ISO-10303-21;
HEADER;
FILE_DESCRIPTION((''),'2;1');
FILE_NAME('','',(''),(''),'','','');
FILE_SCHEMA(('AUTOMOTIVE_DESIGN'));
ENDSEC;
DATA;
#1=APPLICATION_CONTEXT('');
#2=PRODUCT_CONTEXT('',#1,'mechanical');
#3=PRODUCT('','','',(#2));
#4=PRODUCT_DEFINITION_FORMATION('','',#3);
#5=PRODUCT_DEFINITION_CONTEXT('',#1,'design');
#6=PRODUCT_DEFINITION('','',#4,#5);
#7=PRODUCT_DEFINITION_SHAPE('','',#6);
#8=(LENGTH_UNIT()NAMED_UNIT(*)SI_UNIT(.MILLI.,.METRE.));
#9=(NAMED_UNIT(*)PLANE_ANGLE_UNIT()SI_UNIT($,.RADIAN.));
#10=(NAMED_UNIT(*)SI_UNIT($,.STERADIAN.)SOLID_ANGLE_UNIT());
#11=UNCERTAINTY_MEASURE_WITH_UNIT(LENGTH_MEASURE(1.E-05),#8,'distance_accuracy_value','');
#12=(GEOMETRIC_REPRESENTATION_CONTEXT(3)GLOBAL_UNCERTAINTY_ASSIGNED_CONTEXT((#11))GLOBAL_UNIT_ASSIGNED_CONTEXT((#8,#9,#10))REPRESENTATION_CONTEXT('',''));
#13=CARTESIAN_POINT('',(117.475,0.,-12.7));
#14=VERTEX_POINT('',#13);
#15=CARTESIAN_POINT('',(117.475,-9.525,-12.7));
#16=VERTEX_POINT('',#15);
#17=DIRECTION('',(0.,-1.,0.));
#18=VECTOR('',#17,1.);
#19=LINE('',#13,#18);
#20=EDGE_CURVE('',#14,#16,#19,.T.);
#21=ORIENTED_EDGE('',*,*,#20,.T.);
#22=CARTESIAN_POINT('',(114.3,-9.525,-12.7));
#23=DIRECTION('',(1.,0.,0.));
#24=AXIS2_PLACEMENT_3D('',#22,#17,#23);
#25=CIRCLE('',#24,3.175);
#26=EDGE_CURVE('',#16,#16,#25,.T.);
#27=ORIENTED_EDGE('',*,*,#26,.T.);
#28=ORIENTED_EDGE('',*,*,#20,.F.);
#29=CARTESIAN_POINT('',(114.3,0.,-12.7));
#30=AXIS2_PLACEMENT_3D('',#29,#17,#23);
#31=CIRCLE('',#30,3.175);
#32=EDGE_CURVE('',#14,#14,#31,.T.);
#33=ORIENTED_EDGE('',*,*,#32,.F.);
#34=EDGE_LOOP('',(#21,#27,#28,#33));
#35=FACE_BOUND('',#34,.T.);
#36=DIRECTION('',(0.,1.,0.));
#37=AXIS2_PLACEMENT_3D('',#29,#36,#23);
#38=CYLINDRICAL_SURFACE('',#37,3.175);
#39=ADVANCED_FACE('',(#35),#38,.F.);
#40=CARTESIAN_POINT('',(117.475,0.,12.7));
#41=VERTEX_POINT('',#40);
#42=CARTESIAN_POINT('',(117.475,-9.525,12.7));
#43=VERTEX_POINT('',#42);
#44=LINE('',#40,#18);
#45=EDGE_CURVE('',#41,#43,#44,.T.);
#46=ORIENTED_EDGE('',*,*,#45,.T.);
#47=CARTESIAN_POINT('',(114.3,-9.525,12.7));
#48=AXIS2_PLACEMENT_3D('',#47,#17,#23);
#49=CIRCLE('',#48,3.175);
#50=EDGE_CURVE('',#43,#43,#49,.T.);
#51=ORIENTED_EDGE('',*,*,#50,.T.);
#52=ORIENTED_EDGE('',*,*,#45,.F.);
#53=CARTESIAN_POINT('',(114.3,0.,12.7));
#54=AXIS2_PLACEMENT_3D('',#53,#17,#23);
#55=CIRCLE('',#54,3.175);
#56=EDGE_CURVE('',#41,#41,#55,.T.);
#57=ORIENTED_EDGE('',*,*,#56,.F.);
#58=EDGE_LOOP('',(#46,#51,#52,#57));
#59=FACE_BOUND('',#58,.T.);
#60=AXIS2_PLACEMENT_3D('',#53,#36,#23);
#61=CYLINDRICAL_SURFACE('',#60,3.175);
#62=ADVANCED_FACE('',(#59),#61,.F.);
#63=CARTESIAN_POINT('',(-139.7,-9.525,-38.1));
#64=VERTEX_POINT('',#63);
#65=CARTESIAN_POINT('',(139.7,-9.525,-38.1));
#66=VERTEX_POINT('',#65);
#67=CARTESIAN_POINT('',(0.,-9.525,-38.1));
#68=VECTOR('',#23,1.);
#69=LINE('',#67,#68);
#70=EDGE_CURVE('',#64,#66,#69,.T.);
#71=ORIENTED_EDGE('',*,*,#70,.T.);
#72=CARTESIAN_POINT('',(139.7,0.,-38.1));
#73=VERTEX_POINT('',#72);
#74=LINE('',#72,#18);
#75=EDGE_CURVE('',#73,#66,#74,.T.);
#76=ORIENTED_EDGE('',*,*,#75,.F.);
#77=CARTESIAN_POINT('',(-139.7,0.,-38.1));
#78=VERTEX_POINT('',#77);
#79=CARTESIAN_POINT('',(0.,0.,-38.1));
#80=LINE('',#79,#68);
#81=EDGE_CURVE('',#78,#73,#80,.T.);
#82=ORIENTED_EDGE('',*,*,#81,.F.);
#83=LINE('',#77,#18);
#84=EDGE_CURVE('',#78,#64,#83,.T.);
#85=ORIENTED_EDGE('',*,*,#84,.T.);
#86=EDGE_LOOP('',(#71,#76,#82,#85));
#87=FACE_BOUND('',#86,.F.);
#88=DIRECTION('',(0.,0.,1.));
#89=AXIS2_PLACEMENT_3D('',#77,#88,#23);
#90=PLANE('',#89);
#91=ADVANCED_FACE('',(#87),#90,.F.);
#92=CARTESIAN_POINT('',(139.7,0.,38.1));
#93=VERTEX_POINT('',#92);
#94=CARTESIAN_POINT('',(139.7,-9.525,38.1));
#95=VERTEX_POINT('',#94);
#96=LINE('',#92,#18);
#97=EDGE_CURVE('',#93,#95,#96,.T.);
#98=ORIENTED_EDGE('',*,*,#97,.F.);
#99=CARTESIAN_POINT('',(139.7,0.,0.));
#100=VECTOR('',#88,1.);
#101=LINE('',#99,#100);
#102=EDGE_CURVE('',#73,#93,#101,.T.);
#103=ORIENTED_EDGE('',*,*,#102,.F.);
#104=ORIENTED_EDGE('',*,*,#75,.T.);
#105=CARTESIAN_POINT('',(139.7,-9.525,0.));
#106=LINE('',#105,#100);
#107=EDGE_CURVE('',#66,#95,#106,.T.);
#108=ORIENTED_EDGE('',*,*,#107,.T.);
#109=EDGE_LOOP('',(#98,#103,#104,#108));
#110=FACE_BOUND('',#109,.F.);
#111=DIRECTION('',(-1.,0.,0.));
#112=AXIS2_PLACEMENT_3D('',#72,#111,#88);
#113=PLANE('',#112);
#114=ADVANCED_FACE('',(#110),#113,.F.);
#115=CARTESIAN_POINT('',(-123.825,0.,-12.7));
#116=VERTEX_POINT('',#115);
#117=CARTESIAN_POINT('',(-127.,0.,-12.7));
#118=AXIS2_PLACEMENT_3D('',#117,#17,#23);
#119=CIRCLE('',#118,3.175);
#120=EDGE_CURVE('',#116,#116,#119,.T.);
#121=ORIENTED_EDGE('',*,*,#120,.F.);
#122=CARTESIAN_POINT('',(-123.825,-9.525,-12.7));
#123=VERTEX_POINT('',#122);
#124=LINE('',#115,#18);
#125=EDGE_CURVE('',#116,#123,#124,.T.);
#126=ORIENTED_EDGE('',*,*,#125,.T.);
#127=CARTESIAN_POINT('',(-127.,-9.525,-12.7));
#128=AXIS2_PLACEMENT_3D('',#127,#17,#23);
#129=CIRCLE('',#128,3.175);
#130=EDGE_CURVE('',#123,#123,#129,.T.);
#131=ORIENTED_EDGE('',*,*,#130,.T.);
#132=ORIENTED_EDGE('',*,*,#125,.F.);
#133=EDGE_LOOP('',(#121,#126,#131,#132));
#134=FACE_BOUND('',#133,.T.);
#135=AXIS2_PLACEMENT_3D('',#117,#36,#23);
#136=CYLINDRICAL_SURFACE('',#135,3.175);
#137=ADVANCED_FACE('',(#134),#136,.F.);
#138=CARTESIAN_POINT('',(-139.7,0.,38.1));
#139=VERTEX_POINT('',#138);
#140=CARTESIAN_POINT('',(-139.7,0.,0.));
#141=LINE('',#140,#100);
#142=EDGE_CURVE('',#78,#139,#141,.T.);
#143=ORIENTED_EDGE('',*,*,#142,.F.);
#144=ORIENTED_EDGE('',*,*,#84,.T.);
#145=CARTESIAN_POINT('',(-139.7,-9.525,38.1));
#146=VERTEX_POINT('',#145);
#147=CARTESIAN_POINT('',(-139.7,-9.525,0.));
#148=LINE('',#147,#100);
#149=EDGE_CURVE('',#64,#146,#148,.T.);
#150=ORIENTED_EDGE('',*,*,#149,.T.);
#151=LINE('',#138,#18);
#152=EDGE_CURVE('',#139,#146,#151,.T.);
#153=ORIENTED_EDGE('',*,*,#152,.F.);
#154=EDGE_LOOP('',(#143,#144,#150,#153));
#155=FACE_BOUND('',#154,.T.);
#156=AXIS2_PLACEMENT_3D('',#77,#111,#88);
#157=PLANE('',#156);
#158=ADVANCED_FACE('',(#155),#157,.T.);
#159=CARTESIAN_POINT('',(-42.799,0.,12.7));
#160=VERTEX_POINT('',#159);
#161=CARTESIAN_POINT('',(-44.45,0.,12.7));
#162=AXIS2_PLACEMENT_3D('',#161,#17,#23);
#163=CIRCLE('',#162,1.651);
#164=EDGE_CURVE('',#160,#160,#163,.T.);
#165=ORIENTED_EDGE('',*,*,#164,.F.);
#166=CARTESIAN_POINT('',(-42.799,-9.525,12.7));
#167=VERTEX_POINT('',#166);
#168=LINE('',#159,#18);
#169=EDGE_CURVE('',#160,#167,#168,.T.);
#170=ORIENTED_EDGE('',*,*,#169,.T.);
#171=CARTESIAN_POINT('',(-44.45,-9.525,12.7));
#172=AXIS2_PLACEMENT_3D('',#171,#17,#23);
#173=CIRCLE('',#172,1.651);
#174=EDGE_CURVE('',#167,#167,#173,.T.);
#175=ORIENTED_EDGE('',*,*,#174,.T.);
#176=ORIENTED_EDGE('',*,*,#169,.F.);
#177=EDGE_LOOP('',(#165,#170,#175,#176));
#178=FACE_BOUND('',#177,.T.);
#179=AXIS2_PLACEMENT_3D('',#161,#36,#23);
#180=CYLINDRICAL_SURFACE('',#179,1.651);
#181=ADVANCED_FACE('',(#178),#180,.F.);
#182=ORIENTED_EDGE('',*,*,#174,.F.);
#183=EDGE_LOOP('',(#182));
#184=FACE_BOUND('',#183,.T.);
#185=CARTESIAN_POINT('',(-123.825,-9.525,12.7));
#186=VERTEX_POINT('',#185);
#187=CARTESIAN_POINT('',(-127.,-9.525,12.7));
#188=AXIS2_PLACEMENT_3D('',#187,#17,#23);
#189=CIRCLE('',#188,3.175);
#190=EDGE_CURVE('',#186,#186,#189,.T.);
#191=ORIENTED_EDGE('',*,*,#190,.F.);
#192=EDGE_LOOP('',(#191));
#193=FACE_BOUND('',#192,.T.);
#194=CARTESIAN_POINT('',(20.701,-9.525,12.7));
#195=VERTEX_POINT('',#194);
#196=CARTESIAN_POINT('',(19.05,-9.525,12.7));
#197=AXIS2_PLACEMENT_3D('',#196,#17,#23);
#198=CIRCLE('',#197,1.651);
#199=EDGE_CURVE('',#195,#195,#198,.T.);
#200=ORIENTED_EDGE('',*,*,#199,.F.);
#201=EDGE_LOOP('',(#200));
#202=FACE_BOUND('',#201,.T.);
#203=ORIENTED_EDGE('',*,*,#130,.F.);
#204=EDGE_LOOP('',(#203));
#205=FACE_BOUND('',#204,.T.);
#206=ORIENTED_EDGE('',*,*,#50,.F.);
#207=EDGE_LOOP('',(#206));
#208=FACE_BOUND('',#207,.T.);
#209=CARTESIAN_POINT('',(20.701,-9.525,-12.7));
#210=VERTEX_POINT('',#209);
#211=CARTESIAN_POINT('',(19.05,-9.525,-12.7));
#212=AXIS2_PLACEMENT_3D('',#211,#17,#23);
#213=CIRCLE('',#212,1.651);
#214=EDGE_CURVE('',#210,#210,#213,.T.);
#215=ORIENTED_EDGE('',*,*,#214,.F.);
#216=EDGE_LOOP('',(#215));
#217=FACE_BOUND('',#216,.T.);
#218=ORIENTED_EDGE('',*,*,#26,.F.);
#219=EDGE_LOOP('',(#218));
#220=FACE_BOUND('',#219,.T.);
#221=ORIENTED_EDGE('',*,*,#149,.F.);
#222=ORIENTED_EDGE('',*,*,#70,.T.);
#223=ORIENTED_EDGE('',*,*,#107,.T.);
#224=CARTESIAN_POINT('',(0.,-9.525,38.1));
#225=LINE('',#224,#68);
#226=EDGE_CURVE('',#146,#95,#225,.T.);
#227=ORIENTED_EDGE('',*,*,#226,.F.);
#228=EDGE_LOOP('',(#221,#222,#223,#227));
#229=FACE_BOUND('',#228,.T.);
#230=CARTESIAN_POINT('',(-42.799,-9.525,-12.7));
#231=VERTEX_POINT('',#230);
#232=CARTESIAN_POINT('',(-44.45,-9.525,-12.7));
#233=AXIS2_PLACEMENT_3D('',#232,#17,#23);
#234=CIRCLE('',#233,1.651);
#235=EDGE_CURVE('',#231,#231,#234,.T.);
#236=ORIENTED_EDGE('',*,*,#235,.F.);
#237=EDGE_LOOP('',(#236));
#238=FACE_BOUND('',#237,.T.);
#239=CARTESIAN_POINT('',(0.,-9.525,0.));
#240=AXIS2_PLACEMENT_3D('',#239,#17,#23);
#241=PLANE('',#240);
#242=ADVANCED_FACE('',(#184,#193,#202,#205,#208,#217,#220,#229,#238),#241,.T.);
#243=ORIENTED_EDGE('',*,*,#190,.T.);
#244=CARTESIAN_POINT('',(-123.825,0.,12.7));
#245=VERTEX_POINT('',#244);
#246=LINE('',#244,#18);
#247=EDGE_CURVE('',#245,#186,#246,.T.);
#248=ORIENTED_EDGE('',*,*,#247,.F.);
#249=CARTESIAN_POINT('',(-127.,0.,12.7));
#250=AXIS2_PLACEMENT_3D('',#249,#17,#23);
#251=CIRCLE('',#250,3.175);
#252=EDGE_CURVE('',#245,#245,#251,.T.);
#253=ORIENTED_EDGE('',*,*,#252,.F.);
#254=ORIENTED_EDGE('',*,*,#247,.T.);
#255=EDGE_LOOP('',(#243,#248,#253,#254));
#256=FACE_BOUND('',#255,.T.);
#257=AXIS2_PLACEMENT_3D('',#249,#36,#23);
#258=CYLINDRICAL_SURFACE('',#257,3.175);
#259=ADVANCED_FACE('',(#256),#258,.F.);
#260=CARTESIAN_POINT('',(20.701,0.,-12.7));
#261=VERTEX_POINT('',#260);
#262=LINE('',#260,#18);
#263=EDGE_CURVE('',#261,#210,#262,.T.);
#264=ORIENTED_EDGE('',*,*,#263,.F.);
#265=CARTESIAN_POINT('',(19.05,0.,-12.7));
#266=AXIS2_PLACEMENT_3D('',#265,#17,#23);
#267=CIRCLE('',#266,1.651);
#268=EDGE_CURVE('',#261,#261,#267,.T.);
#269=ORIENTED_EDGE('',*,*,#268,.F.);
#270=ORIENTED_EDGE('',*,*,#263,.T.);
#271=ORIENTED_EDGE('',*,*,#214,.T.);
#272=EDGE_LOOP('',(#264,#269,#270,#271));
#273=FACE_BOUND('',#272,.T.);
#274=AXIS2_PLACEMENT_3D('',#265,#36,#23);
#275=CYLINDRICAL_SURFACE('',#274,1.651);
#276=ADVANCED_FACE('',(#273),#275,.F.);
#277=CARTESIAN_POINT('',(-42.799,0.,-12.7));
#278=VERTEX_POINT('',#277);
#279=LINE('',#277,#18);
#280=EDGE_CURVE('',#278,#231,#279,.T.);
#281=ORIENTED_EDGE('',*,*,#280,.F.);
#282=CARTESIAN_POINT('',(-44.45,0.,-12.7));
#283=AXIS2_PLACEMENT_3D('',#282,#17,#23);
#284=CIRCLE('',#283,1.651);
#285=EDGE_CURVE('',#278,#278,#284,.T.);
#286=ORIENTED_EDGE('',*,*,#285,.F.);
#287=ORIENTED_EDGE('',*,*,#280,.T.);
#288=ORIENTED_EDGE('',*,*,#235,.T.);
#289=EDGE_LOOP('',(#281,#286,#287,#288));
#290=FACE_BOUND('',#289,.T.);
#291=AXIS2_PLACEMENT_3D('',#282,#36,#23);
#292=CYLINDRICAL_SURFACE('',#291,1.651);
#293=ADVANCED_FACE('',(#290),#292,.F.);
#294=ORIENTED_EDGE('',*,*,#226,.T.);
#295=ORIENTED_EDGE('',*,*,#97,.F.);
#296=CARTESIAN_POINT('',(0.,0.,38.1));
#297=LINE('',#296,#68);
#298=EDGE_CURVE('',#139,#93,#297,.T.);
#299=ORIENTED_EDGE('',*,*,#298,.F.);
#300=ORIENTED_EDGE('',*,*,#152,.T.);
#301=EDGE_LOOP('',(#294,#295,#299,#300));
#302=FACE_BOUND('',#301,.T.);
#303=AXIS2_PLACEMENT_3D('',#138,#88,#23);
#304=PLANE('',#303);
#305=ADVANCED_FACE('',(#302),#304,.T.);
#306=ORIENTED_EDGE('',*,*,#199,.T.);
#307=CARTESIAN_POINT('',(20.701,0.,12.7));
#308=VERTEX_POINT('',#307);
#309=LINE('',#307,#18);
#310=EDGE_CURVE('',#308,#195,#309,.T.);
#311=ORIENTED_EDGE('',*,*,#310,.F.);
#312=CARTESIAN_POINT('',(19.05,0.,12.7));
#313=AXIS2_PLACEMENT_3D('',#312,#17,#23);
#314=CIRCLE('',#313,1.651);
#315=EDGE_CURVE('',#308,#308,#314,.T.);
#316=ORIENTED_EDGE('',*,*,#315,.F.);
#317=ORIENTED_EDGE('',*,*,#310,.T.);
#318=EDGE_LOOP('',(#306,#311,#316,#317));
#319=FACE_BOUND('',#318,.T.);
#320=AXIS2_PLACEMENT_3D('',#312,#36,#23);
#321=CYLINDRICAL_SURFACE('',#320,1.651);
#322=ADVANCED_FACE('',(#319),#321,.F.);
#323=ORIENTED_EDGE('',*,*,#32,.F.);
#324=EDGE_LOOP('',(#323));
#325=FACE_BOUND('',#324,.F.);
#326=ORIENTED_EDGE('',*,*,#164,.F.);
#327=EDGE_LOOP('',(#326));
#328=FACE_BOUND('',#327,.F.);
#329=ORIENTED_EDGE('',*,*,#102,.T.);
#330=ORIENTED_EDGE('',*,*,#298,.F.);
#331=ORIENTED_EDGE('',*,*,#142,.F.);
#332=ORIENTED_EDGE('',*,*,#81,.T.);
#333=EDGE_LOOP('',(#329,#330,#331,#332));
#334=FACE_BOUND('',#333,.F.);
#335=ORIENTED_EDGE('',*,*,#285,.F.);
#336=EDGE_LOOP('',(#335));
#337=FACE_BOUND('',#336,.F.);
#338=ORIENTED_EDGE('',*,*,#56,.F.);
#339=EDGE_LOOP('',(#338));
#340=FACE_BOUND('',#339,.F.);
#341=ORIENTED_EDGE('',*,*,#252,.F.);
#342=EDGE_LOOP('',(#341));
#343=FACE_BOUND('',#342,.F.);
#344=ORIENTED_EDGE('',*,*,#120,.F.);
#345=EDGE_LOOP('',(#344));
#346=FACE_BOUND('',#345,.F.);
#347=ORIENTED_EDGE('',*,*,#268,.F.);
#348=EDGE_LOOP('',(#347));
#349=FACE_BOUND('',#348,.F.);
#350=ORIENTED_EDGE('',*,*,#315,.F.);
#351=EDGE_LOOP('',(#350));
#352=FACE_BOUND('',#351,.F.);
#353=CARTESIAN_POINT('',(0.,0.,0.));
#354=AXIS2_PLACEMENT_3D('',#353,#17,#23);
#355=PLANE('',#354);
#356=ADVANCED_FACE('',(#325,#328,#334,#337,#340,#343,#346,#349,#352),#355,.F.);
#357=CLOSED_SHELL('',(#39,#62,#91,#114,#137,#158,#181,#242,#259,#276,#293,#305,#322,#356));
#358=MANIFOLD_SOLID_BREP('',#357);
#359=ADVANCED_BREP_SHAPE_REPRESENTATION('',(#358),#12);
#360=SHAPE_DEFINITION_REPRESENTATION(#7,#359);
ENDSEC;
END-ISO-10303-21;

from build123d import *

# Parameters (mm, degrees)
F0_W     = 279.4
F0_H     = 76.2
F0_R     = 3.175
F0_R_2   = 1.651
F1_DEPTH = 9.525


with BuildPart() as f1:
    # F0 (on Front) → F1 (new body)
    with BuildSketch(Plane.XZ):
        Rectangle(F0_W, F0_H)
        with Locations((-127, -12.7)):
            Circle(F0_R, mode=Mode.SUBTRACT)
        with Locations((-44.45, -12.7)):
            Circle(F0_R_2, mode=Mode.SUBTRACT)
        with Locations((19.05, -12.7)):
            Circle(F0_R_2, mode=Mode.SUBTRACT)
        with Locations((114.3, -12.7)):
            Circle(F0_R, mode=Mode.SUBTRACT)
        with Locations((-127, 12.7)):
            Circle(F0_R, mode=Mode.SUBTRACT)
        with Locations((-44.45, 12.7)):
            Circle(F0_R_2, mode=Mode.SUBTRACT)
        with Locations((19.05, 12.7)):
            Circle(F0_R_2, mode=Mode.SUBTRACT)
        with Locations((114.3, 12.7)):
            Circle(F0_R, mode=Mode.SUBTRACT)
    extrude(amount=F1_DEPTH)


solid = f1.part
